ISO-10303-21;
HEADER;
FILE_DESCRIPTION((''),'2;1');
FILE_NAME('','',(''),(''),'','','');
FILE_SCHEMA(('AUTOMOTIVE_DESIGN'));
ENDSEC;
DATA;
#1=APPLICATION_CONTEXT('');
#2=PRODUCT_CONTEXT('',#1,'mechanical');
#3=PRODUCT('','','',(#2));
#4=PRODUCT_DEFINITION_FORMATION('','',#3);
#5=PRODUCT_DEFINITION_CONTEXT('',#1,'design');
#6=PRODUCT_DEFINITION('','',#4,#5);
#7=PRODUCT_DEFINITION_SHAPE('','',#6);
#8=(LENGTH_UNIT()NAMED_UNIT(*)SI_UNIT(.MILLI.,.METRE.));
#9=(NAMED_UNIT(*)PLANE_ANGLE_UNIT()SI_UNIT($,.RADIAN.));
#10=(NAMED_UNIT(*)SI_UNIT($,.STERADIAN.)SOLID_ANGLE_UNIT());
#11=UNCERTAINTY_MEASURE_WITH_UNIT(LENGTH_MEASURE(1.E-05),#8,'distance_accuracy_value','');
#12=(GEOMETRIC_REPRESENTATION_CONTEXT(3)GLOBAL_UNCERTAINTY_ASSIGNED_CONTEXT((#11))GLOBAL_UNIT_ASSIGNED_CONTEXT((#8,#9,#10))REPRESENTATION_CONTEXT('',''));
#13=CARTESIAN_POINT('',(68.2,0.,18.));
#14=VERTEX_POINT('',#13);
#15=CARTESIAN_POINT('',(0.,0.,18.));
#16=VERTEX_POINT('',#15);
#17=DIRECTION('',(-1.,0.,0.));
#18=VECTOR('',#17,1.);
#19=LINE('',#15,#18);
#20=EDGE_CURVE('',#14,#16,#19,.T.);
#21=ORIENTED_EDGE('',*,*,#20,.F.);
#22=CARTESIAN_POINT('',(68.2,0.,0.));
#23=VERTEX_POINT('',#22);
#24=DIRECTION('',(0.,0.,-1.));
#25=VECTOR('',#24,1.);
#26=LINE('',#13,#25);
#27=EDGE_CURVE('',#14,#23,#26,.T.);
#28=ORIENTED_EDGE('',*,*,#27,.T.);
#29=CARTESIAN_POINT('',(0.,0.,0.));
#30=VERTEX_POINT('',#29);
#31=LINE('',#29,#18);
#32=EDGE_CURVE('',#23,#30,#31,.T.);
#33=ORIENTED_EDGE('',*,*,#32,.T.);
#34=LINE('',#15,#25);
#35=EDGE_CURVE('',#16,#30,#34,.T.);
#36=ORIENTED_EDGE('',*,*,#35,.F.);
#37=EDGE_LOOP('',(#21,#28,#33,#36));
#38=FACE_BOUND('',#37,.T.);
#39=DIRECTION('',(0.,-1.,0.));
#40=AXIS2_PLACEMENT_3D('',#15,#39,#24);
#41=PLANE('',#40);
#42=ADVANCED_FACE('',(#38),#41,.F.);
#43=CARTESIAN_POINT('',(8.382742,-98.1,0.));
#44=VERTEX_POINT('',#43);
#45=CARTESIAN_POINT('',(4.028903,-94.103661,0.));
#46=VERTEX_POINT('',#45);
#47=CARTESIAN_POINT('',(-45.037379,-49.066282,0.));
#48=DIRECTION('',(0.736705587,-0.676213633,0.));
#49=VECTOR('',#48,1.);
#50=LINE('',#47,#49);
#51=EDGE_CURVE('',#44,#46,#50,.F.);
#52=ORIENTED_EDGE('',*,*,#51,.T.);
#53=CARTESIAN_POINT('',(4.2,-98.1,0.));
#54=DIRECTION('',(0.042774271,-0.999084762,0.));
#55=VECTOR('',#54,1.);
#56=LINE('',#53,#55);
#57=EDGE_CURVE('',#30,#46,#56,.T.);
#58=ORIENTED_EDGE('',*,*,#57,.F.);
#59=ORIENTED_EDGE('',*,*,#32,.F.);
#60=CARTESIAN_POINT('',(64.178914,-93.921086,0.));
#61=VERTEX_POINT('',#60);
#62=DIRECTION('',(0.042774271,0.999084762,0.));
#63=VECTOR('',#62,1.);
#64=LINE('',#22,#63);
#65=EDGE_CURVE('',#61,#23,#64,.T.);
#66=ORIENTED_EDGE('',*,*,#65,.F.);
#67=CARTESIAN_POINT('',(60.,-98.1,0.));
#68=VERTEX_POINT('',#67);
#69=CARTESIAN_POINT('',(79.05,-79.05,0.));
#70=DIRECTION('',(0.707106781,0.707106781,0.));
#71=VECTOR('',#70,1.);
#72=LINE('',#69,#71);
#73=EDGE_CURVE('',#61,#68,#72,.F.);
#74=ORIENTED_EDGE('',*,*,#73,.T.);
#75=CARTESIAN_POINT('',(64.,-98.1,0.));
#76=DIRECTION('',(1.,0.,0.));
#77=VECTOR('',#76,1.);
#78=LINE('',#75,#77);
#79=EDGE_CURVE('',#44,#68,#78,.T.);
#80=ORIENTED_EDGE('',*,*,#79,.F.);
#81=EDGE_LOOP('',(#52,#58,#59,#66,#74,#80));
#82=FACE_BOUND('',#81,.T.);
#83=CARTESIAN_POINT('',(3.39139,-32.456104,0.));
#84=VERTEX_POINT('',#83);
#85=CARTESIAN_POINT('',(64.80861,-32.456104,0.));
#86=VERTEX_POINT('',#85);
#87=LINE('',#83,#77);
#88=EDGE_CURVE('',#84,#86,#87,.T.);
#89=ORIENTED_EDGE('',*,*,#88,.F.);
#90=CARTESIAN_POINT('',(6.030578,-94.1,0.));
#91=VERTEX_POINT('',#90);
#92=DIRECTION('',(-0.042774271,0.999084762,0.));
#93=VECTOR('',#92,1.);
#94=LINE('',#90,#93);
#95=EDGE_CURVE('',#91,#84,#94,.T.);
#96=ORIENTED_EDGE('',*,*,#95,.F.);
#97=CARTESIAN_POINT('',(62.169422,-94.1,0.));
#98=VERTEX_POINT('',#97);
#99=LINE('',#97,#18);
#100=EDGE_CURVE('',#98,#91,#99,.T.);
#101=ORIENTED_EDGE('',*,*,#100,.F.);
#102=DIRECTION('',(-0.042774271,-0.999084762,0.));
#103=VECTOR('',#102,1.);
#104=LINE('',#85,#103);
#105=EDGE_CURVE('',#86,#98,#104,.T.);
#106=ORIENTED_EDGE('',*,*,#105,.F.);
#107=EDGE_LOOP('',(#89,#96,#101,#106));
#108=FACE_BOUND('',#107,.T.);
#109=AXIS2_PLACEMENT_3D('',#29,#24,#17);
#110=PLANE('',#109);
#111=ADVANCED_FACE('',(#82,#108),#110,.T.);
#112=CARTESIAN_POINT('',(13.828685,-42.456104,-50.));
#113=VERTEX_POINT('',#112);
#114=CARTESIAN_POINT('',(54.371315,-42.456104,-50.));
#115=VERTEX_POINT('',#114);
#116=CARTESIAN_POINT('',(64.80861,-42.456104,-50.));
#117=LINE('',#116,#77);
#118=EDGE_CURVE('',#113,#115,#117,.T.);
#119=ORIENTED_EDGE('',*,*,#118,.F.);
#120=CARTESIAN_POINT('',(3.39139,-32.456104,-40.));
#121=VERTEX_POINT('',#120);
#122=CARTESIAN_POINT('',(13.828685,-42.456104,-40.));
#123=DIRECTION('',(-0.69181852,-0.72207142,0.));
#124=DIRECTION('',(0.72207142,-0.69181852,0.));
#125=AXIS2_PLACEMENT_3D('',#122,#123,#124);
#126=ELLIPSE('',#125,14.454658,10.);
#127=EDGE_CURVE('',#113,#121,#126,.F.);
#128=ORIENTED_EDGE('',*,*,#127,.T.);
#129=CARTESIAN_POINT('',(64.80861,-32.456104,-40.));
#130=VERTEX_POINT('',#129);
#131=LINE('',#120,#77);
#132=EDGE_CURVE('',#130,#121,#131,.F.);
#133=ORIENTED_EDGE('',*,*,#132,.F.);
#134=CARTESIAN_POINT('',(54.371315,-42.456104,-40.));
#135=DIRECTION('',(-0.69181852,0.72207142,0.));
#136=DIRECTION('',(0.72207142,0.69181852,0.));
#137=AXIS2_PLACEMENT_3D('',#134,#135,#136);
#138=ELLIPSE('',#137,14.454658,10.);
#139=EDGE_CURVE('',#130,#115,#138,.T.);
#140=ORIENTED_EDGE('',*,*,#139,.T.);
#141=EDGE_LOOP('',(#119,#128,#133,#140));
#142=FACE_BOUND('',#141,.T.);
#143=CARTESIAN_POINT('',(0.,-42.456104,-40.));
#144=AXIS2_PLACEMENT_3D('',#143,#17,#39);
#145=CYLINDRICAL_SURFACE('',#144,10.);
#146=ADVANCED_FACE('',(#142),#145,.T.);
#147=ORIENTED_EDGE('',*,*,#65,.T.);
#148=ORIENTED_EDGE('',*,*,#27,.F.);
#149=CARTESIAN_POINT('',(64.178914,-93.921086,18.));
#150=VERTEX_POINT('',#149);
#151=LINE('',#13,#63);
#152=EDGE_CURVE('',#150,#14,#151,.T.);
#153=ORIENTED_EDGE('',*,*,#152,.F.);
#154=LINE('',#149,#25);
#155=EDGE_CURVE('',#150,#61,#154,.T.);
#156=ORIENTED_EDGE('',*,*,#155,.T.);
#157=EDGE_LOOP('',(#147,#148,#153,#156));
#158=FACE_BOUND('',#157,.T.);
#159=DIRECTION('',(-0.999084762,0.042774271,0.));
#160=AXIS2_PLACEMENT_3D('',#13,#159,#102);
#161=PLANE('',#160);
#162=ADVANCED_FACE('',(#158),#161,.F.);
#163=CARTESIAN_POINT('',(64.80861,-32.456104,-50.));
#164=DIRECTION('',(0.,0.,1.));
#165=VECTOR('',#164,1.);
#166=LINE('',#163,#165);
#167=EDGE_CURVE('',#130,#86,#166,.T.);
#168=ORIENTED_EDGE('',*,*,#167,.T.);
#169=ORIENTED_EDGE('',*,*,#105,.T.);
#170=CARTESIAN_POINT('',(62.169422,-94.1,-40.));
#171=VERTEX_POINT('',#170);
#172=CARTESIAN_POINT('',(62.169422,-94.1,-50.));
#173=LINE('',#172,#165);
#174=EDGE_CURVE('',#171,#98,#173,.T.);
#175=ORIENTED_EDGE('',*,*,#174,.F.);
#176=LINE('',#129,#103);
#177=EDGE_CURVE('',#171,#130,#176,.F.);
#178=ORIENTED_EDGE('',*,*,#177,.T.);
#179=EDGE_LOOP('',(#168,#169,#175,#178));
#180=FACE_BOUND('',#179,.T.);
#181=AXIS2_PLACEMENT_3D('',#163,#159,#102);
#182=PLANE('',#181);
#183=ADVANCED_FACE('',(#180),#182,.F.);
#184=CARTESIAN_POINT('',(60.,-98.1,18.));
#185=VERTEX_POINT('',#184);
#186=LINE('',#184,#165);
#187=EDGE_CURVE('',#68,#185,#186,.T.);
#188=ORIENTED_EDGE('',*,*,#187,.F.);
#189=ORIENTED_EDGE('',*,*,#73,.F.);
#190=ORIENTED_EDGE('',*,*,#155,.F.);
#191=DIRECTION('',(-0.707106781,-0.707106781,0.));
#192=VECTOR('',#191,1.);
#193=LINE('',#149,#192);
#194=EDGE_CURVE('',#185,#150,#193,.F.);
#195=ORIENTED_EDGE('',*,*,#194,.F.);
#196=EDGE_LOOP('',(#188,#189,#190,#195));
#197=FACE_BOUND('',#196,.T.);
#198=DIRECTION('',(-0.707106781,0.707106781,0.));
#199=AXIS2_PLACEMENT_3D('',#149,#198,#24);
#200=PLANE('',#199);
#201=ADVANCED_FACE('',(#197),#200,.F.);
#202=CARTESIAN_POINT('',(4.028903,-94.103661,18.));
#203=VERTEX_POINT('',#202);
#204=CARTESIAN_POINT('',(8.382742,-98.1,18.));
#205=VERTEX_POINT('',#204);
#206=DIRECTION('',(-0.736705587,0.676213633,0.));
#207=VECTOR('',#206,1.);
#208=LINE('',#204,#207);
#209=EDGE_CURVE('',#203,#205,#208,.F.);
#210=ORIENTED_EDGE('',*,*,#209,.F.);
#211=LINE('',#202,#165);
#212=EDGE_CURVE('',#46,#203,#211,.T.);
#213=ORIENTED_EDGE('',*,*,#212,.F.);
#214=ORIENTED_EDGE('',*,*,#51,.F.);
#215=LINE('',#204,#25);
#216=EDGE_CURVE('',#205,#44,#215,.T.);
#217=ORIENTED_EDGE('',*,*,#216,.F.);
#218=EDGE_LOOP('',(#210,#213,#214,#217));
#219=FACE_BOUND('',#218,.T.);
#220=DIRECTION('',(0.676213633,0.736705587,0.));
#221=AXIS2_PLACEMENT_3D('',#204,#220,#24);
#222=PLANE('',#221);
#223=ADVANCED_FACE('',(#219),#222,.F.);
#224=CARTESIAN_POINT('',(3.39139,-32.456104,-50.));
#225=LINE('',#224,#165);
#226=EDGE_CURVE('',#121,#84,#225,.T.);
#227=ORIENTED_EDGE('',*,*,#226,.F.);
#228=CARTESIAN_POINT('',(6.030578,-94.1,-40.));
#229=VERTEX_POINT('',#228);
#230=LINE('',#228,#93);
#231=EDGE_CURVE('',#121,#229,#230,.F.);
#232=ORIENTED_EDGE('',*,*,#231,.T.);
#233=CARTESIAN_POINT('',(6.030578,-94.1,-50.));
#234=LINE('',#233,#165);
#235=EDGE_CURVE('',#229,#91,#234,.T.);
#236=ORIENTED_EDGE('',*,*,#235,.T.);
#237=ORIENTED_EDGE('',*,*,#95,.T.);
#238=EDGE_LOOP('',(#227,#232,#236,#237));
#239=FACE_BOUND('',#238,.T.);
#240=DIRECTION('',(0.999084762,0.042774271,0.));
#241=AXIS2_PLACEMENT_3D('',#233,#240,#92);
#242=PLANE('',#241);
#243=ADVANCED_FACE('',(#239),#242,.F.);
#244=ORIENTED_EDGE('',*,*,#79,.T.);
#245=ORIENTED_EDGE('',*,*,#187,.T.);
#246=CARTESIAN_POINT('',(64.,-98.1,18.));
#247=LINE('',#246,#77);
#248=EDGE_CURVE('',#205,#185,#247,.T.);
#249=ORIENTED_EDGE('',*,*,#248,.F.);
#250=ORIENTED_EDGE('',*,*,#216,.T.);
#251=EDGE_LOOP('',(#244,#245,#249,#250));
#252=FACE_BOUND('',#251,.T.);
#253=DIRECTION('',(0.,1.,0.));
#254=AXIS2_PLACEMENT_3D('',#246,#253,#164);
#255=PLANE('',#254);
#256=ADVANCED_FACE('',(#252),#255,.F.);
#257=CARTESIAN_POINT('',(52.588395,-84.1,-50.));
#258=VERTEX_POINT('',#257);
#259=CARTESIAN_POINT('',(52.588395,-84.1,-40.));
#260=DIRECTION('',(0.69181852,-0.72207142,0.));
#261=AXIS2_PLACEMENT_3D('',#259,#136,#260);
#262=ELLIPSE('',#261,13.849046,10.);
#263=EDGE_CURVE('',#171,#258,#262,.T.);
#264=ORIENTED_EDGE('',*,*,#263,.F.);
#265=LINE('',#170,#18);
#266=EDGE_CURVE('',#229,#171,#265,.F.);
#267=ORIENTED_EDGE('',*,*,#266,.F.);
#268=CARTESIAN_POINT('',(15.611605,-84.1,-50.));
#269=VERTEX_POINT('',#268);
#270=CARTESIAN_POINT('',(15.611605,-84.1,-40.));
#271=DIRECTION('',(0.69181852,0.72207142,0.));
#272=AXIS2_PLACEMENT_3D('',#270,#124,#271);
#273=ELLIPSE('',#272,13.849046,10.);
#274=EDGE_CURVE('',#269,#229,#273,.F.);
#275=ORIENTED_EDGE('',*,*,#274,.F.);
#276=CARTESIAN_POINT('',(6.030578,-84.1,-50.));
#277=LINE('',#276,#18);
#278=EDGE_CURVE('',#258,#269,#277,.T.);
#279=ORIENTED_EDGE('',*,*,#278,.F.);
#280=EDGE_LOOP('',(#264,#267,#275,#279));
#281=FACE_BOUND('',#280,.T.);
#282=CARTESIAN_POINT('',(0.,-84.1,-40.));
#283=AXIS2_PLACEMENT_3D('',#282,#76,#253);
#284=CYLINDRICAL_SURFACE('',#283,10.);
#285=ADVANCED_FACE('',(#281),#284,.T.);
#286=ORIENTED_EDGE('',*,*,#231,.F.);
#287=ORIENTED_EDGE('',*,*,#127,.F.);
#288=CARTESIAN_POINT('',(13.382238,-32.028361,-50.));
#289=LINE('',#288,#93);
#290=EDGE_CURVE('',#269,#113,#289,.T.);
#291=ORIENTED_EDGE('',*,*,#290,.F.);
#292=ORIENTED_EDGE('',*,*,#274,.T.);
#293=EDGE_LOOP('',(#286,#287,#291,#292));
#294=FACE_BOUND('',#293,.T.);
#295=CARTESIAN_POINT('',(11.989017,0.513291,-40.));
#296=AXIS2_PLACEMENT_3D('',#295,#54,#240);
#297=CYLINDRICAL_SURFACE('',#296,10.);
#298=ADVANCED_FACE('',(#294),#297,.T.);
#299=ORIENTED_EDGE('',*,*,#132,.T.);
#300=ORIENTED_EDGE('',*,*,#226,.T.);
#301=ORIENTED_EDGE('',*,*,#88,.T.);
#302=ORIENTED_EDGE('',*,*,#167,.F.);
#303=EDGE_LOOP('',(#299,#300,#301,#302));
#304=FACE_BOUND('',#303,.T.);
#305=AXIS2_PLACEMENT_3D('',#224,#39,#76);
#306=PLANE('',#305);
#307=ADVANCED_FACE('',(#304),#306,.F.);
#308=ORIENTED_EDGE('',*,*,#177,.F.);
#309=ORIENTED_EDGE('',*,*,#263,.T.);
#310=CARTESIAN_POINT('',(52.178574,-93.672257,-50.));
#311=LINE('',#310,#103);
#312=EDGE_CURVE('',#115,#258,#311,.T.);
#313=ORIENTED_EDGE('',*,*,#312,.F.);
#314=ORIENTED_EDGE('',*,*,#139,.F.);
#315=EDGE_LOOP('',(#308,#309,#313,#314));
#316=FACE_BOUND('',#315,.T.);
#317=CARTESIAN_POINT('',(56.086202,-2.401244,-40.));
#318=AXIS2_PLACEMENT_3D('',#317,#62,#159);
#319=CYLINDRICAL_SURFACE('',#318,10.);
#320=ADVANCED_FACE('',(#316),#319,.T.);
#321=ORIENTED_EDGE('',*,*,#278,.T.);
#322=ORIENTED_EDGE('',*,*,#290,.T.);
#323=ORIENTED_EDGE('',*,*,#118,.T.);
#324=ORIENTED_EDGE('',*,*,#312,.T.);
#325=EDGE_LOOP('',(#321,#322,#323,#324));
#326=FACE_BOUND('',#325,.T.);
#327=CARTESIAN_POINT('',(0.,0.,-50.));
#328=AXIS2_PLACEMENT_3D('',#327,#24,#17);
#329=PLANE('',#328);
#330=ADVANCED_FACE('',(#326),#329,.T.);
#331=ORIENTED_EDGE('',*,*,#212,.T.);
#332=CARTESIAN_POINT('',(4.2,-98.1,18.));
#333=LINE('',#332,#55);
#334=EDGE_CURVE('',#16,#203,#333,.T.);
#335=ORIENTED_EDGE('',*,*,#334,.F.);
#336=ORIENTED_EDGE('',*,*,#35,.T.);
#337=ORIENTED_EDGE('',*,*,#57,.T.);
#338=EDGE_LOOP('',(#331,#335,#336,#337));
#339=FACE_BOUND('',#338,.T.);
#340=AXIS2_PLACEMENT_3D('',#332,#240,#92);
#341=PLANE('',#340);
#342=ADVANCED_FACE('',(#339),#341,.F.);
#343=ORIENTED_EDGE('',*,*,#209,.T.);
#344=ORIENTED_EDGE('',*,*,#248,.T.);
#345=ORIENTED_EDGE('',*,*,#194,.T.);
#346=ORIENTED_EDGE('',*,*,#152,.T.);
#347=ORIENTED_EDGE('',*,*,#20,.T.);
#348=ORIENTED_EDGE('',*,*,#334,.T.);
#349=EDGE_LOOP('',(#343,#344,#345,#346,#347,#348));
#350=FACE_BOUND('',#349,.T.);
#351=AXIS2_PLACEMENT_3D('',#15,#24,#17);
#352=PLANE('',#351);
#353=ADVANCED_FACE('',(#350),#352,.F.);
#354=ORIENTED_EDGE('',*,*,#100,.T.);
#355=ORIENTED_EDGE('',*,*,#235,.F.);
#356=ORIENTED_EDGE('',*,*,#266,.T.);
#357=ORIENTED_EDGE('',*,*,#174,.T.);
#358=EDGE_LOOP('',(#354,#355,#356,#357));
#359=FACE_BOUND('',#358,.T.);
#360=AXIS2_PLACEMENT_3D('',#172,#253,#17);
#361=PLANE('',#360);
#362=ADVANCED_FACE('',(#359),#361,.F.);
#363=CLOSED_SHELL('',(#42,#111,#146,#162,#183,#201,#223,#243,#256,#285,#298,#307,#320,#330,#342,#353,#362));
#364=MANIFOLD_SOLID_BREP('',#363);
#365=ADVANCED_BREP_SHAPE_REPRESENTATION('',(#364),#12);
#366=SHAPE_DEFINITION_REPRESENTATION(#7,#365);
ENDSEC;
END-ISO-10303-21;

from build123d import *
from OCP.BRepFilletAPI import BRepFilletAPI_MakeChamfer

# Parameters (mm, degrees)
BOSS_EXTRUDE1_DEPTH = 18
BOSS_EXTRUDE2_DEPTH = 50
CHAMFER1_SIZE       = 4
CHAMFER1_SIZE2      = 4.182741942
FILLET1_R           = 10


with BuildPart() as part:
    # Sketch1 → Boss-Extrude1 (new body)
    with BuildSketch(Plane.XY):
        Polygon((0, 0), (68.2, 0), (64, -98.1), (4.2, -98.1), align=None)
    extrude(amount=BOSS_EXTRUDE1_DEPTH)

    # Sketch2 → Boss-Extrude2 (add)
    with BuildSketch(Plane(origin=(0, 0, 0), x_dir=(-1, 0, 0), z_dir=(0, 0, -1))):
        Polygon((-62.16942167, -94.1), (-6.03057833, -94.1), (-3.391390108, -32.456103661), (-64.808609892, -32.456103661), align=None)
    extrude(amount=BOSS_EXTRUDE2_DEPTH)

    # Chamfer1: one chamfer whose edges measure the first distance from different faces: ONE call of the kernel's chamfer builder (chamfer() names one face for all edges)
    chamfer1_edges_1 = [part.edges().sort_by_distance(p)[0] for p in [
        (64, -98.1, 9),
    ]]
    chamfer1_side_1 = [part.faces().sort_by_distance(p)[0] for p in [
        (34.1, -98.1, 9),
    ]]
    chamfer1_edges_2 = [part.edges().sort_by_distance(p)[0] for p in [
        (4.2, -98.1, 9),
    ]]
    chamfer1_side_2 = [part.faces().sort_by_distance(p)[0] for p in [
        (2.1, -49.05, 9),
    ]]
    chamfer1 = BRepFilletAPI_MakeChamfer(part.part.solid().wrapped)
    for e in chamfer1_edges_1:
        chamfer1.Add(CHAMFER1_SIZE, CHAMFER1_SIZE2, e.wrapped, chamfer1_side_1[0].wrapped)  # the first distance lies on this face
    for e in chamfer1_edges_2:
        chamfer1.Add(CHAMFER1_SIZE, CHAMFER1_SIZE2, e.wrapped, chamfer1_side_2[0].wrapped)  # the first distance lies on this face
    add(Compound.cast(chamfer1.Shape()), mode=Mode.REPLACE)

    # Fillet1
    fillet1_edges = [part.edges().sort_by_distance(p)[0] for p in [
        (63.489015781, -63.27805183, -50),
        (34.1, -94.1, -50),
        (4.710984219, -63.27805183, -50),
        (34.1, -32.456103661, -50),
    ]]
    fillet(fillet1_edges, radius=FILLET1_R)


solid = part.part
